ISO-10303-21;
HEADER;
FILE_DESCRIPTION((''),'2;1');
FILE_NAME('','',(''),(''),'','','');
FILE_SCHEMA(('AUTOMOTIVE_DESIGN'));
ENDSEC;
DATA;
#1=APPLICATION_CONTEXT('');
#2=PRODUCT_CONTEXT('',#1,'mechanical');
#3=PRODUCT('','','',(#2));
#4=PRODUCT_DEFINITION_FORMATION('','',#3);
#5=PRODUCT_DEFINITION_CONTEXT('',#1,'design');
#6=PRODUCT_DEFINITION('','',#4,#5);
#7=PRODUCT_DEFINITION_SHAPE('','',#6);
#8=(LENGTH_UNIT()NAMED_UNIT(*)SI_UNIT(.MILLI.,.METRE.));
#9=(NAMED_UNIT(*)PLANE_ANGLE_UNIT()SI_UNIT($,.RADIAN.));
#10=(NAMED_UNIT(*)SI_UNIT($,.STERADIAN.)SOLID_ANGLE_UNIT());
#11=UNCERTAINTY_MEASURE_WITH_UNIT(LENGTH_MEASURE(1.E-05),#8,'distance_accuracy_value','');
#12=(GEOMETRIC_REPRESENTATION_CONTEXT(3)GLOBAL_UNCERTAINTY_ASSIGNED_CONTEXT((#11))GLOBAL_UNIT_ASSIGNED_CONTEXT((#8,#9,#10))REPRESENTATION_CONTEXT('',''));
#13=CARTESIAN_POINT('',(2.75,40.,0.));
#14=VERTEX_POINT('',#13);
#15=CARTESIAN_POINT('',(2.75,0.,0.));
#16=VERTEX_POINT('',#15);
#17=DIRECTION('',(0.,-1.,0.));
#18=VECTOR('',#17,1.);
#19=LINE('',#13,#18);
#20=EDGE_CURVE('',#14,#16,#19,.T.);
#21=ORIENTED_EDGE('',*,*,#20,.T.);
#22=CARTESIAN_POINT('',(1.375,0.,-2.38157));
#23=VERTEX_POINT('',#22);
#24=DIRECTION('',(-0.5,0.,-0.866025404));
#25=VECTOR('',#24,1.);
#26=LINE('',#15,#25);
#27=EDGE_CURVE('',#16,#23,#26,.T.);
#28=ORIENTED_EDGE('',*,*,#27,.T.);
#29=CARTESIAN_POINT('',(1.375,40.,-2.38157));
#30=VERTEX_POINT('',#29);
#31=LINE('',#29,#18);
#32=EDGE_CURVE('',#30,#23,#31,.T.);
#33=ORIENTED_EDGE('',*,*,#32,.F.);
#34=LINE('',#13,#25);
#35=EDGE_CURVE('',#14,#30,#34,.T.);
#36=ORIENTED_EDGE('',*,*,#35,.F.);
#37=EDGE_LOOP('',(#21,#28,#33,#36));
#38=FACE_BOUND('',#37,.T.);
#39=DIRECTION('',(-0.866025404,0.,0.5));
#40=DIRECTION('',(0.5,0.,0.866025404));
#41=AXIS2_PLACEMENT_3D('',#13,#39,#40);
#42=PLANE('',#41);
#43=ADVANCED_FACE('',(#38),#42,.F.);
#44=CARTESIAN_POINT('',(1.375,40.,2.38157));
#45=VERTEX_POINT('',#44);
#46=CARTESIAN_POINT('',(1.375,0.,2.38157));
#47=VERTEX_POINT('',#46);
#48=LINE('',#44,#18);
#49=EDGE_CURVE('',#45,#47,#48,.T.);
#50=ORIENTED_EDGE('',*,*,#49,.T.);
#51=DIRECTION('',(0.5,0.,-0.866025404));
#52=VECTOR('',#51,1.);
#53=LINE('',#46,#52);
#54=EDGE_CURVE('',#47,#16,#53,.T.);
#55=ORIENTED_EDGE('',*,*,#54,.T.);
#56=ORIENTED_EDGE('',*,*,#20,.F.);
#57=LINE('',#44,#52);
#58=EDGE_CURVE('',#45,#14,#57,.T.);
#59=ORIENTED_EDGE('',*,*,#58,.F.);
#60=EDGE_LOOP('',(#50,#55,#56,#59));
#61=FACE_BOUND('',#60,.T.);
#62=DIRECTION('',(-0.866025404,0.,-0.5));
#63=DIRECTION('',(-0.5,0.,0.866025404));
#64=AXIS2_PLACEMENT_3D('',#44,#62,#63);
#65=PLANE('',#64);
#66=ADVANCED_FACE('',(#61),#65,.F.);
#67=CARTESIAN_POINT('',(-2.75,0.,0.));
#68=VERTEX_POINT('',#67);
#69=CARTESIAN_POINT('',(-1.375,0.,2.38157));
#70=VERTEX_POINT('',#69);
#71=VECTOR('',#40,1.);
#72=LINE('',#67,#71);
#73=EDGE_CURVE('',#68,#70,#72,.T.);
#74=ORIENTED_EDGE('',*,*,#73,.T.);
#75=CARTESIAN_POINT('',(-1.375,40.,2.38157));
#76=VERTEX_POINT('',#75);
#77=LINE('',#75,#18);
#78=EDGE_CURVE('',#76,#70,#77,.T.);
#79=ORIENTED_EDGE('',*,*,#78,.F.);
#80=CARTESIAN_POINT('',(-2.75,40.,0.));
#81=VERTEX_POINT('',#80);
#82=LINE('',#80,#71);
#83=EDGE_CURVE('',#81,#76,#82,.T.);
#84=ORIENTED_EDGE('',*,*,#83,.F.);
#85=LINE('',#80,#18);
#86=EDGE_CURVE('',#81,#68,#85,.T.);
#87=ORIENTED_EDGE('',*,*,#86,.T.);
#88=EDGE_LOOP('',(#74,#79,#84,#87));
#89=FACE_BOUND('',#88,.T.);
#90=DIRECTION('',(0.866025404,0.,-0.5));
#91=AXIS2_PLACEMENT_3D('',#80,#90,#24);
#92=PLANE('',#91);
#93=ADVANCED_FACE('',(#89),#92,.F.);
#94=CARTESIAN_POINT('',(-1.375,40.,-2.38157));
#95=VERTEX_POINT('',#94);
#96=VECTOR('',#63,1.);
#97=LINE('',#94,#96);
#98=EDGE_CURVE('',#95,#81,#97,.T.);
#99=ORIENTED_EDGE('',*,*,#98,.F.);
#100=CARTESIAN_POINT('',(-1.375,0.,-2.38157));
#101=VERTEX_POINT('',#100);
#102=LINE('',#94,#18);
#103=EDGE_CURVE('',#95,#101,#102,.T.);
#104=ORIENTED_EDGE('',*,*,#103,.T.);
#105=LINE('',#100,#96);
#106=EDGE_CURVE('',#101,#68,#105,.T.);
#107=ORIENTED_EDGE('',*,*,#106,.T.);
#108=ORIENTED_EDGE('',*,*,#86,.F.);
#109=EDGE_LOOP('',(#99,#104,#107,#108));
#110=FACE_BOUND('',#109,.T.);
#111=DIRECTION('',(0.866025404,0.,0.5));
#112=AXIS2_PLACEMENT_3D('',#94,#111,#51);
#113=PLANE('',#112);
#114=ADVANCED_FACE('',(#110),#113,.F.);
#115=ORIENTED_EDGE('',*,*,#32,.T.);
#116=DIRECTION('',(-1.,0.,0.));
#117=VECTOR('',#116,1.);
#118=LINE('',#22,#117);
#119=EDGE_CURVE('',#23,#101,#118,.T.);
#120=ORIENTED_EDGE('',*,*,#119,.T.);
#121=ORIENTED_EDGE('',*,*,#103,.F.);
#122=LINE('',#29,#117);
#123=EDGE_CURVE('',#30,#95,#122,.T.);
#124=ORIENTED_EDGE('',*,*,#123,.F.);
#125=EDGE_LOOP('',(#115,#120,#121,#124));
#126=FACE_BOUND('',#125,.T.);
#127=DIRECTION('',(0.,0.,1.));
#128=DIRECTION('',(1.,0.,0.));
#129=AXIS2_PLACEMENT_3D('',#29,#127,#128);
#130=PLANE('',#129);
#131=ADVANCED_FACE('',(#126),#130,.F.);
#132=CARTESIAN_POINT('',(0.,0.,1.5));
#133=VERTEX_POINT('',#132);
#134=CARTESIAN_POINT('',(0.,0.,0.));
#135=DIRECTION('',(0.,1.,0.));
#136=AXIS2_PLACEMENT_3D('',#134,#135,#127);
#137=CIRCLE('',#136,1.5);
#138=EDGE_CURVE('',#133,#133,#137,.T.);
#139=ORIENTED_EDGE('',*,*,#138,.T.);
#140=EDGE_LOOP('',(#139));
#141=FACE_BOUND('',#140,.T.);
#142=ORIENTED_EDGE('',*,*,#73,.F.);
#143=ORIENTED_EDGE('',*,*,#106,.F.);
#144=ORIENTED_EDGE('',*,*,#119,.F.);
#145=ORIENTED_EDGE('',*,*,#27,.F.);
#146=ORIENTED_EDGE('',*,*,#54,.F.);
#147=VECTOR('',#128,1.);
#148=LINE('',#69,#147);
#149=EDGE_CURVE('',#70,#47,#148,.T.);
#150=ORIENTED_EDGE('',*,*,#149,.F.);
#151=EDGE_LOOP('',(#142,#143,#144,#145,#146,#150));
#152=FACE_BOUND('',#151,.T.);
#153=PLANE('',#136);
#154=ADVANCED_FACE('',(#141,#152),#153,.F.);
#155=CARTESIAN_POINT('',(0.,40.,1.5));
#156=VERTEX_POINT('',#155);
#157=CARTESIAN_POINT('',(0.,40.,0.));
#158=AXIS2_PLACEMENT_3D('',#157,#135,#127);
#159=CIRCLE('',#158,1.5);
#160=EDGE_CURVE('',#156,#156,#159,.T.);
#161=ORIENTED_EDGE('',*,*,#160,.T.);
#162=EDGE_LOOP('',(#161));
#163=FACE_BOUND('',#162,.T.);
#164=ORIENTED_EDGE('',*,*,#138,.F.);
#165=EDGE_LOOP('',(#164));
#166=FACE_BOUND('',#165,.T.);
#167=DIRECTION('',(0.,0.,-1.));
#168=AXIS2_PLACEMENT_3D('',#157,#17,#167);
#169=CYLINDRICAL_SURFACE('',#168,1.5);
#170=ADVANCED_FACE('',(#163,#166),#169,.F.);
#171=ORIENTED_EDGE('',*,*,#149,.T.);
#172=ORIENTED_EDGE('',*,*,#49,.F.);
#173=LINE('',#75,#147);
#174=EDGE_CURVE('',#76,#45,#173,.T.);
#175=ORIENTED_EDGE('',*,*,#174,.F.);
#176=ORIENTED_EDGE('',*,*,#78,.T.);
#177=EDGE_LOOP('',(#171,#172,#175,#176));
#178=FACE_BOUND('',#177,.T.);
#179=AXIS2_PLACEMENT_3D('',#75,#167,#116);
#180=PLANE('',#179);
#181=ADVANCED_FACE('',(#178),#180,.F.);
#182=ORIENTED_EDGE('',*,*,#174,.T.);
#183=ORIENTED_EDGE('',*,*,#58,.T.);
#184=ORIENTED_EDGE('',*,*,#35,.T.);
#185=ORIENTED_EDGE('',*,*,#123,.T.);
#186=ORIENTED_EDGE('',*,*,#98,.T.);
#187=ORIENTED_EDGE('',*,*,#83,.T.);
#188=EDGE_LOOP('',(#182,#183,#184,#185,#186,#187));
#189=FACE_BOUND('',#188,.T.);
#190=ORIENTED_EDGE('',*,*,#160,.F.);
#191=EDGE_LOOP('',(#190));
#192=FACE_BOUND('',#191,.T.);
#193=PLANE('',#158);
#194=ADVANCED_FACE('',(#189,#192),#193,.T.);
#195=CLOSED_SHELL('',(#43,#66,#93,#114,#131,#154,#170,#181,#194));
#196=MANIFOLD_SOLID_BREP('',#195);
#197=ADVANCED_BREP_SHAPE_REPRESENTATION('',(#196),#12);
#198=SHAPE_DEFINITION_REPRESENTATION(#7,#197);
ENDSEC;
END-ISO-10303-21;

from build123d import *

# Parameters (mm, degrees)
SKETCH1_R           = 1.5
BOSS_EXTRUDE1_DEPTH = 40


with BuildPart() as part:
    # Sketch1 → Boss-Extrude1 (new body)
    with BuildSketch(Plane(origin=(0, 0, 0), x_dir=(1, 0, 0), z_dir=(0, 1, 0))):
        Polygon((2.75, 0), (1.375, 2.38156986), (-1.375, 2.38156986), (-2.75, 0), (-1.375, -2.38156986), (1.375, -2.38156986), align=None)
        with Locations(Location((0, 0, 0), (0, 0, 270))):
            Circle(SKETCH1_R, mode=Mode.SUBTRACT)
    extrude(amount=BOSS_EXTRUDE1_DEPTH)


solid = part.part
